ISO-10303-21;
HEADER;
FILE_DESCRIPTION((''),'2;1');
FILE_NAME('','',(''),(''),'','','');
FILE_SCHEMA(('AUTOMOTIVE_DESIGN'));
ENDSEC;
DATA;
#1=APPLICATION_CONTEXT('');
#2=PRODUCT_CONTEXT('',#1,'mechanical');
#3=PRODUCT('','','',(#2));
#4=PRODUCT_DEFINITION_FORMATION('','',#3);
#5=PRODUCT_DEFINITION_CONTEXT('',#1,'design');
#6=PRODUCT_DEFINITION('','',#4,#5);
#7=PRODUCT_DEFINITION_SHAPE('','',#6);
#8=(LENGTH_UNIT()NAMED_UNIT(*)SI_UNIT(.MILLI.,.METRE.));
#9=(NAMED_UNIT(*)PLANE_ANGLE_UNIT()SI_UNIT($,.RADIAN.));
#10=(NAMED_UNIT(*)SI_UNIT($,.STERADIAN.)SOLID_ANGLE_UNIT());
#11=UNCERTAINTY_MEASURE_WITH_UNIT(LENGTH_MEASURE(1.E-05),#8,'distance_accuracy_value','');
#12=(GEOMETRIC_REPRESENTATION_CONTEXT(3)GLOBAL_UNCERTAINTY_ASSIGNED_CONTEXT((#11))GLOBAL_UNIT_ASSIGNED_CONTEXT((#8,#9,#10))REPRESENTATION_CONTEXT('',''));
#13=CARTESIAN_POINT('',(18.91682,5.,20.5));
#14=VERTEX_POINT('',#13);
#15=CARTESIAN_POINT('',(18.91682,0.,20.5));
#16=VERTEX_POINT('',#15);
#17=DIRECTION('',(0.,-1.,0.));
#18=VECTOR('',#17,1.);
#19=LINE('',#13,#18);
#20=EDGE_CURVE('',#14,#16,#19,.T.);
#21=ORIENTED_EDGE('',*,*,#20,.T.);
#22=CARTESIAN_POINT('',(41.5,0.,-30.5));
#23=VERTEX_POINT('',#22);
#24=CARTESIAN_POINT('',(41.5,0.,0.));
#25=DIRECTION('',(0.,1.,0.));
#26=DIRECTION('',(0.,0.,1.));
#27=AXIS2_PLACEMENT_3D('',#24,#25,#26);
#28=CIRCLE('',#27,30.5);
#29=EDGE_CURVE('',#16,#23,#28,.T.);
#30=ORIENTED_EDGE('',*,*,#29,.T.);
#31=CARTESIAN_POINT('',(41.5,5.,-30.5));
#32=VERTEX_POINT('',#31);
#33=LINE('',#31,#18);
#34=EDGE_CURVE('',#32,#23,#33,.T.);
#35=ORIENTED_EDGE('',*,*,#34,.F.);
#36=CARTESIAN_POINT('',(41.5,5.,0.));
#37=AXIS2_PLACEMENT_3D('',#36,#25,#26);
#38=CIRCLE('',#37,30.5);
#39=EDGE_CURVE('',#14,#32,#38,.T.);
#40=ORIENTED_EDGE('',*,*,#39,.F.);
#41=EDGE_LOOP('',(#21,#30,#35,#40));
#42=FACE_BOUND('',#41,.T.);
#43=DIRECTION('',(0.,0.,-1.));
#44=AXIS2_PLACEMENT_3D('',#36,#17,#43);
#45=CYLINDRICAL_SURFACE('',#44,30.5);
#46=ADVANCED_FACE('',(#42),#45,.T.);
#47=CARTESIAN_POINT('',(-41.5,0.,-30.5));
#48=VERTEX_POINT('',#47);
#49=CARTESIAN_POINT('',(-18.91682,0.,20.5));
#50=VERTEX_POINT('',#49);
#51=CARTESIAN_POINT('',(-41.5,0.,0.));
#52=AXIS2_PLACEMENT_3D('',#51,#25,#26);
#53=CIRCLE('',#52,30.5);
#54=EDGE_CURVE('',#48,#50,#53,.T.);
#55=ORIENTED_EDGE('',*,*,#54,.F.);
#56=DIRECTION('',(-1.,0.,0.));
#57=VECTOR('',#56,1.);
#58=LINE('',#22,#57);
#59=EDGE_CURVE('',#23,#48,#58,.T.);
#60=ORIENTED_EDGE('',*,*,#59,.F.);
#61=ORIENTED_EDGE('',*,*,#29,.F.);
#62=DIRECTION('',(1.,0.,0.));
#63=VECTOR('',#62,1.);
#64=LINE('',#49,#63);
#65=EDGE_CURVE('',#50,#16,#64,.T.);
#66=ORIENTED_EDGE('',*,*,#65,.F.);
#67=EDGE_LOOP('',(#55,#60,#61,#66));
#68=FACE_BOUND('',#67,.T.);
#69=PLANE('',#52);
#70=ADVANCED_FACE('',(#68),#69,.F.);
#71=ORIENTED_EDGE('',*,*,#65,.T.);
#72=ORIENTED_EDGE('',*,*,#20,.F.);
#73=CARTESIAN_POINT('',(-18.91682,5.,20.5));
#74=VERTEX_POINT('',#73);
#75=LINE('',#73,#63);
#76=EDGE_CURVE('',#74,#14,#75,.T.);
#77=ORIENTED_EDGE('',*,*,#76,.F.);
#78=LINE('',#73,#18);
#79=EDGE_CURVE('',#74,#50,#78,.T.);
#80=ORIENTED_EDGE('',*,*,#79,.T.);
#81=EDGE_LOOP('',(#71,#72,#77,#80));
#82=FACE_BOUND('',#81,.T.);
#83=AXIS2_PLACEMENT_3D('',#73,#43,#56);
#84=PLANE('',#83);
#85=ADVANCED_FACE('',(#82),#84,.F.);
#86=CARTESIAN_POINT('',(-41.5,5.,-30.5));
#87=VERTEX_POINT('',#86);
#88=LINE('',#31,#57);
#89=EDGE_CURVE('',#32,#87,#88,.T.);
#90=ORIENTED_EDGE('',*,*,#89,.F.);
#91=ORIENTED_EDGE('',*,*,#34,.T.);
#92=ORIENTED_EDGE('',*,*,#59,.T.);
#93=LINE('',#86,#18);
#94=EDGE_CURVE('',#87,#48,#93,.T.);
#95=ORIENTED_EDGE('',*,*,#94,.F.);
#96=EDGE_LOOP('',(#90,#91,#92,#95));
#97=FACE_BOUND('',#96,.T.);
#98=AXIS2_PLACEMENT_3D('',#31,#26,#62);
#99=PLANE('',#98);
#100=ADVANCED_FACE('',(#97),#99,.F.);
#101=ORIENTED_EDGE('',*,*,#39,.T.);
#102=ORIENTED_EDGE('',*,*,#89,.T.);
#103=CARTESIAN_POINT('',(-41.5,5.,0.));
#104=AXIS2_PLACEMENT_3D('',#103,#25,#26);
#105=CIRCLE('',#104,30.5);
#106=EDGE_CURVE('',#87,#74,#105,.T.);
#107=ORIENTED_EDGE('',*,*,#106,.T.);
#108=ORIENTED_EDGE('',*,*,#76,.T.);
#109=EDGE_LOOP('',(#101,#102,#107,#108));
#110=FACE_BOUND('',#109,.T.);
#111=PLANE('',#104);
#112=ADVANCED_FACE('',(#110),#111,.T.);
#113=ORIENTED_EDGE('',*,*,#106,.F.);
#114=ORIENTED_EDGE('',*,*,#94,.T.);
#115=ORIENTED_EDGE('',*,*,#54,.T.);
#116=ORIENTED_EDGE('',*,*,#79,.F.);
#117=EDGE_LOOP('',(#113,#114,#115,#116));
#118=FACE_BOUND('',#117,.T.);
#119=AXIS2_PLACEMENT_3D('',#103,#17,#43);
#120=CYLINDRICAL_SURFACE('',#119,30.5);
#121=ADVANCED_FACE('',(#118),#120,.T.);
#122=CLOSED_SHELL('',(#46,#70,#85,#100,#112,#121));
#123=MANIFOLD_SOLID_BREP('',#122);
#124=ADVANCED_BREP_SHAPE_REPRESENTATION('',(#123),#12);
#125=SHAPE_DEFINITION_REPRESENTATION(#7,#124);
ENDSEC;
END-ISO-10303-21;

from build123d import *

# Parameters (mm, degrees)
BOSS_EXTRUDE1_DEPTH = 5


with BuildPart() as part:
    # Sketch1 → Boss-Extrude1 (new body)
    with BuildSketch(Plane(origin=(0, 0, 0), x_dir=(1, 0, 0), z_dir=(0, 1, 0))):
        with BuildLine():
            Line((41.5, 30.5), (-41.5, 30.5))
            ThreePointArc((-41.5, 30.5), (-69.388169535, -12.349089035), (-18.916820419, -20.5))
            Line((-18.916820419, -20.5), (18.916820419, -20.5))
            ThreePointArc((18.916820419, -20.5), (69.388169535, -12.349089035), (41.5, 30.5))
        make_face()
    extrude(amount=BOSS_EXTRUDE1_DEPTH)


solid = part.part
